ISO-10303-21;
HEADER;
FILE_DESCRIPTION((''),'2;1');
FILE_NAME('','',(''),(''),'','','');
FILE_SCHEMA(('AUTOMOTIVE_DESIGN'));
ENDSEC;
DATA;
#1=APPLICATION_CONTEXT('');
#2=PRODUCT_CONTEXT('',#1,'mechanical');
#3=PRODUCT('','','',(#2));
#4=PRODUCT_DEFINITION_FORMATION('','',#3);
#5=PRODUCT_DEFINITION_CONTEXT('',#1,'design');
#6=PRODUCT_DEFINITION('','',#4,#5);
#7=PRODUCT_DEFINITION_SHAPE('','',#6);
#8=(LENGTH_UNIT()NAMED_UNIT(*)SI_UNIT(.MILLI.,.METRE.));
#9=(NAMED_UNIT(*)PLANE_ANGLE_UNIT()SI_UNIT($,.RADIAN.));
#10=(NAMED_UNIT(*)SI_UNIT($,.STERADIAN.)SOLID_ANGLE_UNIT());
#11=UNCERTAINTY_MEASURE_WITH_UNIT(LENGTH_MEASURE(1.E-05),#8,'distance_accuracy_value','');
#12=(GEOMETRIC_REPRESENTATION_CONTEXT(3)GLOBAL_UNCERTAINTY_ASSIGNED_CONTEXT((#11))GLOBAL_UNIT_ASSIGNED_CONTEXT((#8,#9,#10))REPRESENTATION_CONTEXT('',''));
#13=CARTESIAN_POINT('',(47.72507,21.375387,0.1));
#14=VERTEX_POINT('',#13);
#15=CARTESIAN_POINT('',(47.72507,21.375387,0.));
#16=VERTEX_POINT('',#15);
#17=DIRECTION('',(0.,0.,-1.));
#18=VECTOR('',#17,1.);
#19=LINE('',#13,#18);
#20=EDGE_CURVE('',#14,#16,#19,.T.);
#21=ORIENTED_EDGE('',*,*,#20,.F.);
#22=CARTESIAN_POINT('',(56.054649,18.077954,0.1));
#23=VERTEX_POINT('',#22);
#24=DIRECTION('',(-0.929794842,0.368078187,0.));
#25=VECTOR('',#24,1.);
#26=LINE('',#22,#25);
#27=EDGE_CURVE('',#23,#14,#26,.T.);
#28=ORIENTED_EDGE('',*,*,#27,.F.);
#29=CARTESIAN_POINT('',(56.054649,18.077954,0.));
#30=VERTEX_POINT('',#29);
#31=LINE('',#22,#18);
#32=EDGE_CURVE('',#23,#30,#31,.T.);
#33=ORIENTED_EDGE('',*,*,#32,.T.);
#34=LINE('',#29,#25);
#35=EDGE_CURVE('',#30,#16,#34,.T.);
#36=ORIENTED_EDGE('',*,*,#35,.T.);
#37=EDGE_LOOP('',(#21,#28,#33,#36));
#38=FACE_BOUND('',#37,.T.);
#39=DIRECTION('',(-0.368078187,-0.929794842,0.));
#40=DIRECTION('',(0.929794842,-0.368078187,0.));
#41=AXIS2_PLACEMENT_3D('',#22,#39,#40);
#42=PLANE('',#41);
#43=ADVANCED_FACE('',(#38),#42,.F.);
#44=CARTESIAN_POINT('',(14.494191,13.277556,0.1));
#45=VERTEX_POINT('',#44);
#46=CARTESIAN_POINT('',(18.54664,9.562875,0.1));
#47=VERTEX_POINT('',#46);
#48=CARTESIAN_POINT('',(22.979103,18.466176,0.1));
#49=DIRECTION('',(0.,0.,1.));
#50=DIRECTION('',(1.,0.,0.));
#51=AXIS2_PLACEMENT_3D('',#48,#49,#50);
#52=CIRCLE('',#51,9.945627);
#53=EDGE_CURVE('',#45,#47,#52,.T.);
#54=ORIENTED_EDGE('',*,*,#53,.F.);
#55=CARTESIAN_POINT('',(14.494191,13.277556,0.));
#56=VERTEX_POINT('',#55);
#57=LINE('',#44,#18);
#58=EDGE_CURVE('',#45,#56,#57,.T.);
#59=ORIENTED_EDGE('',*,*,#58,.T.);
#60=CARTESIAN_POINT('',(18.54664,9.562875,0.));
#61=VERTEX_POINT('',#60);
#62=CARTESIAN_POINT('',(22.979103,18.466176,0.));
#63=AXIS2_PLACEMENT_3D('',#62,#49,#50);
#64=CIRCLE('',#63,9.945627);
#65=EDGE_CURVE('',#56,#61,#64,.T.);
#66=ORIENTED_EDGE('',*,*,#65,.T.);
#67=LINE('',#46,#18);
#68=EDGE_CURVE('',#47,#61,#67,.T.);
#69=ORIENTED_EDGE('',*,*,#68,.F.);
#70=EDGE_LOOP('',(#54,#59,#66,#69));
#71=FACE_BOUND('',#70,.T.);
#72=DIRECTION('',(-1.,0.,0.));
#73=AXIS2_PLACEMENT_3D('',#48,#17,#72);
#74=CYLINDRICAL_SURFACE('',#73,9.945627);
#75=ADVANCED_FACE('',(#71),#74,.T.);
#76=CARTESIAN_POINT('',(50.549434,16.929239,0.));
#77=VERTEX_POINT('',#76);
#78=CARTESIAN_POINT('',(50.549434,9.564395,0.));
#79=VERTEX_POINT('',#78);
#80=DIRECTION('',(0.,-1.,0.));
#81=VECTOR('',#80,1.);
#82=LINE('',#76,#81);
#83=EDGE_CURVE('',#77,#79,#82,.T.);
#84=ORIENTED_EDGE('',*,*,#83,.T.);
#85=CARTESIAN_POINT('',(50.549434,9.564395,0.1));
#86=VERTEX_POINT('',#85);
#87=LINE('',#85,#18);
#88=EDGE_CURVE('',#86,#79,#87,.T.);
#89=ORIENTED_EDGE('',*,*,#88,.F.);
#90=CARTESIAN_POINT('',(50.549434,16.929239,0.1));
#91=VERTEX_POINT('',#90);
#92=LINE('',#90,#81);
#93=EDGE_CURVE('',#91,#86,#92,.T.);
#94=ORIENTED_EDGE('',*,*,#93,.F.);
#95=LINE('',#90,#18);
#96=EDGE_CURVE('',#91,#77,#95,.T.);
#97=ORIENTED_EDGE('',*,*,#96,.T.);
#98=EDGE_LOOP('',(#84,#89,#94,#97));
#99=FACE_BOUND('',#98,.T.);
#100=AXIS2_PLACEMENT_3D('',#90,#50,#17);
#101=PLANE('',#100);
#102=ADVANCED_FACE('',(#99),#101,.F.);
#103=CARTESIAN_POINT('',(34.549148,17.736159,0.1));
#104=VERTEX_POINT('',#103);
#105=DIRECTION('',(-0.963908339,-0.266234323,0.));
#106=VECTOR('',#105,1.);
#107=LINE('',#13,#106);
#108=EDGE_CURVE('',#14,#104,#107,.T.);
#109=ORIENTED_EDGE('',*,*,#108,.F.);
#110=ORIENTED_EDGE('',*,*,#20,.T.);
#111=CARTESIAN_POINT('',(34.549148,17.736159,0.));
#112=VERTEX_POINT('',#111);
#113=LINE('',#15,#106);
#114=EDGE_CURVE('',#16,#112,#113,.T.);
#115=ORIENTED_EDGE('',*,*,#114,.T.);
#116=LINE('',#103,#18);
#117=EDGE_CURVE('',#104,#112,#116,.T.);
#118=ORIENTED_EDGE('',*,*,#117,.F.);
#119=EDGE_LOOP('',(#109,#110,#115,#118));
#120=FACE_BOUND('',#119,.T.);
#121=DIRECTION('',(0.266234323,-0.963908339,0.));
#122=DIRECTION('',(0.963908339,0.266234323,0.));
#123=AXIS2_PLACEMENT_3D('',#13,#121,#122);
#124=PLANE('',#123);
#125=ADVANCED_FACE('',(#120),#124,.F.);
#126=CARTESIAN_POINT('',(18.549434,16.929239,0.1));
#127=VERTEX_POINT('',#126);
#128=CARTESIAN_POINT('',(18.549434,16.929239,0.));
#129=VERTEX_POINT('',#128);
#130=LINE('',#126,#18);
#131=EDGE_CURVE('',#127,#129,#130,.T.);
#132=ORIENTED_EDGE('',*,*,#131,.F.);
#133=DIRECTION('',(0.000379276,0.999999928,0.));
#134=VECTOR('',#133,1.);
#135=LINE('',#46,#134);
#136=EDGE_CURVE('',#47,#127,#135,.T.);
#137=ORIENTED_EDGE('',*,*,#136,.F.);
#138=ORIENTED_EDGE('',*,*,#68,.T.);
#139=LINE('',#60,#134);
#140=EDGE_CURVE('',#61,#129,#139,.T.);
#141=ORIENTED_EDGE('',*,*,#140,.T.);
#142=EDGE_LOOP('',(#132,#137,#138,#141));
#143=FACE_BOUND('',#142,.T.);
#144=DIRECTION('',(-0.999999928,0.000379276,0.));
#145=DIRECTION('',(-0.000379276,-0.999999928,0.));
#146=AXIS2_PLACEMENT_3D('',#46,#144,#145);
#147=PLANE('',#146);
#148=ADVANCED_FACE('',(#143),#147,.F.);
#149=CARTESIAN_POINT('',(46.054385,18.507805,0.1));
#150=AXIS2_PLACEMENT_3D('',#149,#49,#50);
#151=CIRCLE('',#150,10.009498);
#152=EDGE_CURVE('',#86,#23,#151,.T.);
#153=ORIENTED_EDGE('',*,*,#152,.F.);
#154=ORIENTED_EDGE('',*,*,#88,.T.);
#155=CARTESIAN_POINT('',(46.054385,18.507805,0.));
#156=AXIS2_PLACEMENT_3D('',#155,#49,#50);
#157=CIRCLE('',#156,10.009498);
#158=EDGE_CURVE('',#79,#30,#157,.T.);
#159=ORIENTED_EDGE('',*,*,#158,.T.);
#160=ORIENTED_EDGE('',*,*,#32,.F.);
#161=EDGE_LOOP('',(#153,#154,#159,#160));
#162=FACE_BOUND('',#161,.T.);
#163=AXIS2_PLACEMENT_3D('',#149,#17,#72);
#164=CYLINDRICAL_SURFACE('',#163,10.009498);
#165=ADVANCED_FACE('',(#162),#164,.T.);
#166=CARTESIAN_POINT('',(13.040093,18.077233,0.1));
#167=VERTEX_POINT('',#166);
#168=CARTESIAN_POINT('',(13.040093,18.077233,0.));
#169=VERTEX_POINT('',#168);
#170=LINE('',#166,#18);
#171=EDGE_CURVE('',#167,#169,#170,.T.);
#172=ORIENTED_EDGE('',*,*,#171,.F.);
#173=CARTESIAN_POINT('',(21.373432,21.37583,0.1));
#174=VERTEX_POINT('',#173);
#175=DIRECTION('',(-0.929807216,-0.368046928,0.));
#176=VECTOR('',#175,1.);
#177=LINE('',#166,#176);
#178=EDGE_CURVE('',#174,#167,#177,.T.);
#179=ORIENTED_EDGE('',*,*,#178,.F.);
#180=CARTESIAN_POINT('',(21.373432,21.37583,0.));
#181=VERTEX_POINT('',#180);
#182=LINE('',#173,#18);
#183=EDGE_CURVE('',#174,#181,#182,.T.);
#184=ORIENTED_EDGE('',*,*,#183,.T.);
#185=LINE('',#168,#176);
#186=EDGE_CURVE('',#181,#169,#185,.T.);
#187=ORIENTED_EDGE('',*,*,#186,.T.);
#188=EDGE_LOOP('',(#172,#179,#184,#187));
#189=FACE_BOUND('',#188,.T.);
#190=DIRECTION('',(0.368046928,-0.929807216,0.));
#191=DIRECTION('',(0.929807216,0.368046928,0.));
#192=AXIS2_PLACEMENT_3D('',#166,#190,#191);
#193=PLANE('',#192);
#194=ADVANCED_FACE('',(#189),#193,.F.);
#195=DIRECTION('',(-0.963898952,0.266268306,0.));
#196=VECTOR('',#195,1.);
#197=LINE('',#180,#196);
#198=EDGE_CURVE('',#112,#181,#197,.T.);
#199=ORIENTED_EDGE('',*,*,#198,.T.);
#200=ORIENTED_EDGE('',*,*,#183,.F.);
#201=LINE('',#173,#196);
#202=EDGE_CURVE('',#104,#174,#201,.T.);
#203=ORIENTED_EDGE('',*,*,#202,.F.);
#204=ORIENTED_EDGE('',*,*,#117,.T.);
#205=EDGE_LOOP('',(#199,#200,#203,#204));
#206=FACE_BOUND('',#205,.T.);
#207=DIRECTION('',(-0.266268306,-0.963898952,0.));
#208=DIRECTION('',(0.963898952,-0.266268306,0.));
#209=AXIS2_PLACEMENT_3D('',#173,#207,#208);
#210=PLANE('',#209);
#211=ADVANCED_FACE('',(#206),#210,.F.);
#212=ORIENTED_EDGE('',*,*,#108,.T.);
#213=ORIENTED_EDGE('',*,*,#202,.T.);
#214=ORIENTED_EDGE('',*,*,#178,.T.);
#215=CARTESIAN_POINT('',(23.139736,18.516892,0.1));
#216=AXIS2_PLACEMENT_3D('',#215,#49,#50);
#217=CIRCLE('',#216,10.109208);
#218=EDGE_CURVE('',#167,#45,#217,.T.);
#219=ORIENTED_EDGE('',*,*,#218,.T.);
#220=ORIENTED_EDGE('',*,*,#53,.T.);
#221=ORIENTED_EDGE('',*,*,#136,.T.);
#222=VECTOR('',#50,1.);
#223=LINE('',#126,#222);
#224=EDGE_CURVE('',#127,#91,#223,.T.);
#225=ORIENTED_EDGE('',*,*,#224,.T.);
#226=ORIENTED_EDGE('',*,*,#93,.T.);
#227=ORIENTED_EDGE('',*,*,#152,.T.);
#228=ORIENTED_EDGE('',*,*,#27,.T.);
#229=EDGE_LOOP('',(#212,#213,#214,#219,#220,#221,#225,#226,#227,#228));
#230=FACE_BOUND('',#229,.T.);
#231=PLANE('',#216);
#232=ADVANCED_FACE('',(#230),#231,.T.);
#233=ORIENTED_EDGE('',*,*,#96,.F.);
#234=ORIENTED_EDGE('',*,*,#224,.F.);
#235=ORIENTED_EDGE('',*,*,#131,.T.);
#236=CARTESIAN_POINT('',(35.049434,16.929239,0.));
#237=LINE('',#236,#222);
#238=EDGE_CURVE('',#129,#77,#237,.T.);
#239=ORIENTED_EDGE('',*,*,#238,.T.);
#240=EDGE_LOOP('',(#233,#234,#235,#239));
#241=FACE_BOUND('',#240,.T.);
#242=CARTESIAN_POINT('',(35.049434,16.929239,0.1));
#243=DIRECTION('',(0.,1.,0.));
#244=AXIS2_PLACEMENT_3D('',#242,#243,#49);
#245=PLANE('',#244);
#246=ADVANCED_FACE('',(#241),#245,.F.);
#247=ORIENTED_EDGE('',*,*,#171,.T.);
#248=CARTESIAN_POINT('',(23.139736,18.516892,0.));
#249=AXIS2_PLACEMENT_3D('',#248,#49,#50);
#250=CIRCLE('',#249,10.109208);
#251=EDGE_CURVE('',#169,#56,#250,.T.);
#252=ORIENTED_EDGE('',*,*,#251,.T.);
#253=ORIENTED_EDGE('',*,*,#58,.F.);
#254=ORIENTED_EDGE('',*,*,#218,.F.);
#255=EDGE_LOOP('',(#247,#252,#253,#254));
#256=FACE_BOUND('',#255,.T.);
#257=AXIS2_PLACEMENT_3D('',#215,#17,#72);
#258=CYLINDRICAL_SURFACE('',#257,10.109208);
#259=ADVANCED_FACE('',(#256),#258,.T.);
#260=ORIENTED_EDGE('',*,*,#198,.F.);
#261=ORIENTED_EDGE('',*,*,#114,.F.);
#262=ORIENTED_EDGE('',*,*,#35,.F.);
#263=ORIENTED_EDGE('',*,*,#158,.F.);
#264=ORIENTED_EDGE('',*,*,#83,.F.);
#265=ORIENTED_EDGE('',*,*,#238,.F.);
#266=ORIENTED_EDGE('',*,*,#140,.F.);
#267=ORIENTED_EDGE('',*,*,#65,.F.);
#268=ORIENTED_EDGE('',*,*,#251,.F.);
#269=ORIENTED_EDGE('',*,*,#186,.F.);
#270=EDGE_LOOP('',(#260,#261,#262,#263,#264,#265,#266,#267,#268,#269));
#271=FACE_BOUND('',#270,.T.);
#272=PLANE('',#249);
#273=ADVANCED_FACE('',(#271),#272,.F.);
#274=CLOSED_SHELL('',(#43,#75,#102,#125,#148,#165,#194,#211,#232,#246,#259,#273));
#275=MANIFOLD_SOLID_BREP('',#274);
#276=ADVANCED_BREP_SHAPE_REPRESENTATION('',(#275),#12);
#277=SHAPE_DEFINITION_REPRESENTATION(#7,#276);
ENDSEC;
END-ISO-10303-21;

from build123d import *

# Parameters (mm, degrees)
SALIENTE_EXTRUIR1_DEPTH = 0.1


with BuildPart() as part:
    # Model → Saliente-Extruir1 (new body)
    with BuildSketch(Plane.XY):
        with BuildLine():
            Line((18.549433899, 16.929238501), (35.049433899, 16.929238501))
            Line((35.049433899, 16.929238501), (50.549433899, 16.929238501))
            Line((50.549433899, 16.929238501), (50.549433899, 9.564394878))
            ThreePointArc((50.549433899, 9.564394878), (52.846061309, 11.155038033), (54.613628105, 13.318449858))
            ThreePointArc((54.613628105, 13.318449858), (55.63441871, 15.607287158), (56.05464892, 18.077954318))
            Line((56.05464892, 18.077954318), (47.725070346, 21.375387298))
            Line((47.725070346, 21.375387298), (34.549148093, 17.736158759))
            Line((34.549148093, 17.736158759), (21.373432242, 21.375830254))
            Line((21.373432242, 21.375830254), (13.040093285, 18.077232707))
            ThreePointArc((13.040093285, 18.077232707), (13.464781987, 15.585792102), (14.494191445, 13.277556205))
            ThreePointArc((14.494191445, 13.277556205), (16.258659897, 11.134658879), (18.546640013, 9.562874906))
            Line((18.546640013, 9.562874906), (18.549433899, 16.929238501))
        make_face()
    extrude(amount=SALIENTE_EXTRUIR1_DEPTH)


solid = part.part
